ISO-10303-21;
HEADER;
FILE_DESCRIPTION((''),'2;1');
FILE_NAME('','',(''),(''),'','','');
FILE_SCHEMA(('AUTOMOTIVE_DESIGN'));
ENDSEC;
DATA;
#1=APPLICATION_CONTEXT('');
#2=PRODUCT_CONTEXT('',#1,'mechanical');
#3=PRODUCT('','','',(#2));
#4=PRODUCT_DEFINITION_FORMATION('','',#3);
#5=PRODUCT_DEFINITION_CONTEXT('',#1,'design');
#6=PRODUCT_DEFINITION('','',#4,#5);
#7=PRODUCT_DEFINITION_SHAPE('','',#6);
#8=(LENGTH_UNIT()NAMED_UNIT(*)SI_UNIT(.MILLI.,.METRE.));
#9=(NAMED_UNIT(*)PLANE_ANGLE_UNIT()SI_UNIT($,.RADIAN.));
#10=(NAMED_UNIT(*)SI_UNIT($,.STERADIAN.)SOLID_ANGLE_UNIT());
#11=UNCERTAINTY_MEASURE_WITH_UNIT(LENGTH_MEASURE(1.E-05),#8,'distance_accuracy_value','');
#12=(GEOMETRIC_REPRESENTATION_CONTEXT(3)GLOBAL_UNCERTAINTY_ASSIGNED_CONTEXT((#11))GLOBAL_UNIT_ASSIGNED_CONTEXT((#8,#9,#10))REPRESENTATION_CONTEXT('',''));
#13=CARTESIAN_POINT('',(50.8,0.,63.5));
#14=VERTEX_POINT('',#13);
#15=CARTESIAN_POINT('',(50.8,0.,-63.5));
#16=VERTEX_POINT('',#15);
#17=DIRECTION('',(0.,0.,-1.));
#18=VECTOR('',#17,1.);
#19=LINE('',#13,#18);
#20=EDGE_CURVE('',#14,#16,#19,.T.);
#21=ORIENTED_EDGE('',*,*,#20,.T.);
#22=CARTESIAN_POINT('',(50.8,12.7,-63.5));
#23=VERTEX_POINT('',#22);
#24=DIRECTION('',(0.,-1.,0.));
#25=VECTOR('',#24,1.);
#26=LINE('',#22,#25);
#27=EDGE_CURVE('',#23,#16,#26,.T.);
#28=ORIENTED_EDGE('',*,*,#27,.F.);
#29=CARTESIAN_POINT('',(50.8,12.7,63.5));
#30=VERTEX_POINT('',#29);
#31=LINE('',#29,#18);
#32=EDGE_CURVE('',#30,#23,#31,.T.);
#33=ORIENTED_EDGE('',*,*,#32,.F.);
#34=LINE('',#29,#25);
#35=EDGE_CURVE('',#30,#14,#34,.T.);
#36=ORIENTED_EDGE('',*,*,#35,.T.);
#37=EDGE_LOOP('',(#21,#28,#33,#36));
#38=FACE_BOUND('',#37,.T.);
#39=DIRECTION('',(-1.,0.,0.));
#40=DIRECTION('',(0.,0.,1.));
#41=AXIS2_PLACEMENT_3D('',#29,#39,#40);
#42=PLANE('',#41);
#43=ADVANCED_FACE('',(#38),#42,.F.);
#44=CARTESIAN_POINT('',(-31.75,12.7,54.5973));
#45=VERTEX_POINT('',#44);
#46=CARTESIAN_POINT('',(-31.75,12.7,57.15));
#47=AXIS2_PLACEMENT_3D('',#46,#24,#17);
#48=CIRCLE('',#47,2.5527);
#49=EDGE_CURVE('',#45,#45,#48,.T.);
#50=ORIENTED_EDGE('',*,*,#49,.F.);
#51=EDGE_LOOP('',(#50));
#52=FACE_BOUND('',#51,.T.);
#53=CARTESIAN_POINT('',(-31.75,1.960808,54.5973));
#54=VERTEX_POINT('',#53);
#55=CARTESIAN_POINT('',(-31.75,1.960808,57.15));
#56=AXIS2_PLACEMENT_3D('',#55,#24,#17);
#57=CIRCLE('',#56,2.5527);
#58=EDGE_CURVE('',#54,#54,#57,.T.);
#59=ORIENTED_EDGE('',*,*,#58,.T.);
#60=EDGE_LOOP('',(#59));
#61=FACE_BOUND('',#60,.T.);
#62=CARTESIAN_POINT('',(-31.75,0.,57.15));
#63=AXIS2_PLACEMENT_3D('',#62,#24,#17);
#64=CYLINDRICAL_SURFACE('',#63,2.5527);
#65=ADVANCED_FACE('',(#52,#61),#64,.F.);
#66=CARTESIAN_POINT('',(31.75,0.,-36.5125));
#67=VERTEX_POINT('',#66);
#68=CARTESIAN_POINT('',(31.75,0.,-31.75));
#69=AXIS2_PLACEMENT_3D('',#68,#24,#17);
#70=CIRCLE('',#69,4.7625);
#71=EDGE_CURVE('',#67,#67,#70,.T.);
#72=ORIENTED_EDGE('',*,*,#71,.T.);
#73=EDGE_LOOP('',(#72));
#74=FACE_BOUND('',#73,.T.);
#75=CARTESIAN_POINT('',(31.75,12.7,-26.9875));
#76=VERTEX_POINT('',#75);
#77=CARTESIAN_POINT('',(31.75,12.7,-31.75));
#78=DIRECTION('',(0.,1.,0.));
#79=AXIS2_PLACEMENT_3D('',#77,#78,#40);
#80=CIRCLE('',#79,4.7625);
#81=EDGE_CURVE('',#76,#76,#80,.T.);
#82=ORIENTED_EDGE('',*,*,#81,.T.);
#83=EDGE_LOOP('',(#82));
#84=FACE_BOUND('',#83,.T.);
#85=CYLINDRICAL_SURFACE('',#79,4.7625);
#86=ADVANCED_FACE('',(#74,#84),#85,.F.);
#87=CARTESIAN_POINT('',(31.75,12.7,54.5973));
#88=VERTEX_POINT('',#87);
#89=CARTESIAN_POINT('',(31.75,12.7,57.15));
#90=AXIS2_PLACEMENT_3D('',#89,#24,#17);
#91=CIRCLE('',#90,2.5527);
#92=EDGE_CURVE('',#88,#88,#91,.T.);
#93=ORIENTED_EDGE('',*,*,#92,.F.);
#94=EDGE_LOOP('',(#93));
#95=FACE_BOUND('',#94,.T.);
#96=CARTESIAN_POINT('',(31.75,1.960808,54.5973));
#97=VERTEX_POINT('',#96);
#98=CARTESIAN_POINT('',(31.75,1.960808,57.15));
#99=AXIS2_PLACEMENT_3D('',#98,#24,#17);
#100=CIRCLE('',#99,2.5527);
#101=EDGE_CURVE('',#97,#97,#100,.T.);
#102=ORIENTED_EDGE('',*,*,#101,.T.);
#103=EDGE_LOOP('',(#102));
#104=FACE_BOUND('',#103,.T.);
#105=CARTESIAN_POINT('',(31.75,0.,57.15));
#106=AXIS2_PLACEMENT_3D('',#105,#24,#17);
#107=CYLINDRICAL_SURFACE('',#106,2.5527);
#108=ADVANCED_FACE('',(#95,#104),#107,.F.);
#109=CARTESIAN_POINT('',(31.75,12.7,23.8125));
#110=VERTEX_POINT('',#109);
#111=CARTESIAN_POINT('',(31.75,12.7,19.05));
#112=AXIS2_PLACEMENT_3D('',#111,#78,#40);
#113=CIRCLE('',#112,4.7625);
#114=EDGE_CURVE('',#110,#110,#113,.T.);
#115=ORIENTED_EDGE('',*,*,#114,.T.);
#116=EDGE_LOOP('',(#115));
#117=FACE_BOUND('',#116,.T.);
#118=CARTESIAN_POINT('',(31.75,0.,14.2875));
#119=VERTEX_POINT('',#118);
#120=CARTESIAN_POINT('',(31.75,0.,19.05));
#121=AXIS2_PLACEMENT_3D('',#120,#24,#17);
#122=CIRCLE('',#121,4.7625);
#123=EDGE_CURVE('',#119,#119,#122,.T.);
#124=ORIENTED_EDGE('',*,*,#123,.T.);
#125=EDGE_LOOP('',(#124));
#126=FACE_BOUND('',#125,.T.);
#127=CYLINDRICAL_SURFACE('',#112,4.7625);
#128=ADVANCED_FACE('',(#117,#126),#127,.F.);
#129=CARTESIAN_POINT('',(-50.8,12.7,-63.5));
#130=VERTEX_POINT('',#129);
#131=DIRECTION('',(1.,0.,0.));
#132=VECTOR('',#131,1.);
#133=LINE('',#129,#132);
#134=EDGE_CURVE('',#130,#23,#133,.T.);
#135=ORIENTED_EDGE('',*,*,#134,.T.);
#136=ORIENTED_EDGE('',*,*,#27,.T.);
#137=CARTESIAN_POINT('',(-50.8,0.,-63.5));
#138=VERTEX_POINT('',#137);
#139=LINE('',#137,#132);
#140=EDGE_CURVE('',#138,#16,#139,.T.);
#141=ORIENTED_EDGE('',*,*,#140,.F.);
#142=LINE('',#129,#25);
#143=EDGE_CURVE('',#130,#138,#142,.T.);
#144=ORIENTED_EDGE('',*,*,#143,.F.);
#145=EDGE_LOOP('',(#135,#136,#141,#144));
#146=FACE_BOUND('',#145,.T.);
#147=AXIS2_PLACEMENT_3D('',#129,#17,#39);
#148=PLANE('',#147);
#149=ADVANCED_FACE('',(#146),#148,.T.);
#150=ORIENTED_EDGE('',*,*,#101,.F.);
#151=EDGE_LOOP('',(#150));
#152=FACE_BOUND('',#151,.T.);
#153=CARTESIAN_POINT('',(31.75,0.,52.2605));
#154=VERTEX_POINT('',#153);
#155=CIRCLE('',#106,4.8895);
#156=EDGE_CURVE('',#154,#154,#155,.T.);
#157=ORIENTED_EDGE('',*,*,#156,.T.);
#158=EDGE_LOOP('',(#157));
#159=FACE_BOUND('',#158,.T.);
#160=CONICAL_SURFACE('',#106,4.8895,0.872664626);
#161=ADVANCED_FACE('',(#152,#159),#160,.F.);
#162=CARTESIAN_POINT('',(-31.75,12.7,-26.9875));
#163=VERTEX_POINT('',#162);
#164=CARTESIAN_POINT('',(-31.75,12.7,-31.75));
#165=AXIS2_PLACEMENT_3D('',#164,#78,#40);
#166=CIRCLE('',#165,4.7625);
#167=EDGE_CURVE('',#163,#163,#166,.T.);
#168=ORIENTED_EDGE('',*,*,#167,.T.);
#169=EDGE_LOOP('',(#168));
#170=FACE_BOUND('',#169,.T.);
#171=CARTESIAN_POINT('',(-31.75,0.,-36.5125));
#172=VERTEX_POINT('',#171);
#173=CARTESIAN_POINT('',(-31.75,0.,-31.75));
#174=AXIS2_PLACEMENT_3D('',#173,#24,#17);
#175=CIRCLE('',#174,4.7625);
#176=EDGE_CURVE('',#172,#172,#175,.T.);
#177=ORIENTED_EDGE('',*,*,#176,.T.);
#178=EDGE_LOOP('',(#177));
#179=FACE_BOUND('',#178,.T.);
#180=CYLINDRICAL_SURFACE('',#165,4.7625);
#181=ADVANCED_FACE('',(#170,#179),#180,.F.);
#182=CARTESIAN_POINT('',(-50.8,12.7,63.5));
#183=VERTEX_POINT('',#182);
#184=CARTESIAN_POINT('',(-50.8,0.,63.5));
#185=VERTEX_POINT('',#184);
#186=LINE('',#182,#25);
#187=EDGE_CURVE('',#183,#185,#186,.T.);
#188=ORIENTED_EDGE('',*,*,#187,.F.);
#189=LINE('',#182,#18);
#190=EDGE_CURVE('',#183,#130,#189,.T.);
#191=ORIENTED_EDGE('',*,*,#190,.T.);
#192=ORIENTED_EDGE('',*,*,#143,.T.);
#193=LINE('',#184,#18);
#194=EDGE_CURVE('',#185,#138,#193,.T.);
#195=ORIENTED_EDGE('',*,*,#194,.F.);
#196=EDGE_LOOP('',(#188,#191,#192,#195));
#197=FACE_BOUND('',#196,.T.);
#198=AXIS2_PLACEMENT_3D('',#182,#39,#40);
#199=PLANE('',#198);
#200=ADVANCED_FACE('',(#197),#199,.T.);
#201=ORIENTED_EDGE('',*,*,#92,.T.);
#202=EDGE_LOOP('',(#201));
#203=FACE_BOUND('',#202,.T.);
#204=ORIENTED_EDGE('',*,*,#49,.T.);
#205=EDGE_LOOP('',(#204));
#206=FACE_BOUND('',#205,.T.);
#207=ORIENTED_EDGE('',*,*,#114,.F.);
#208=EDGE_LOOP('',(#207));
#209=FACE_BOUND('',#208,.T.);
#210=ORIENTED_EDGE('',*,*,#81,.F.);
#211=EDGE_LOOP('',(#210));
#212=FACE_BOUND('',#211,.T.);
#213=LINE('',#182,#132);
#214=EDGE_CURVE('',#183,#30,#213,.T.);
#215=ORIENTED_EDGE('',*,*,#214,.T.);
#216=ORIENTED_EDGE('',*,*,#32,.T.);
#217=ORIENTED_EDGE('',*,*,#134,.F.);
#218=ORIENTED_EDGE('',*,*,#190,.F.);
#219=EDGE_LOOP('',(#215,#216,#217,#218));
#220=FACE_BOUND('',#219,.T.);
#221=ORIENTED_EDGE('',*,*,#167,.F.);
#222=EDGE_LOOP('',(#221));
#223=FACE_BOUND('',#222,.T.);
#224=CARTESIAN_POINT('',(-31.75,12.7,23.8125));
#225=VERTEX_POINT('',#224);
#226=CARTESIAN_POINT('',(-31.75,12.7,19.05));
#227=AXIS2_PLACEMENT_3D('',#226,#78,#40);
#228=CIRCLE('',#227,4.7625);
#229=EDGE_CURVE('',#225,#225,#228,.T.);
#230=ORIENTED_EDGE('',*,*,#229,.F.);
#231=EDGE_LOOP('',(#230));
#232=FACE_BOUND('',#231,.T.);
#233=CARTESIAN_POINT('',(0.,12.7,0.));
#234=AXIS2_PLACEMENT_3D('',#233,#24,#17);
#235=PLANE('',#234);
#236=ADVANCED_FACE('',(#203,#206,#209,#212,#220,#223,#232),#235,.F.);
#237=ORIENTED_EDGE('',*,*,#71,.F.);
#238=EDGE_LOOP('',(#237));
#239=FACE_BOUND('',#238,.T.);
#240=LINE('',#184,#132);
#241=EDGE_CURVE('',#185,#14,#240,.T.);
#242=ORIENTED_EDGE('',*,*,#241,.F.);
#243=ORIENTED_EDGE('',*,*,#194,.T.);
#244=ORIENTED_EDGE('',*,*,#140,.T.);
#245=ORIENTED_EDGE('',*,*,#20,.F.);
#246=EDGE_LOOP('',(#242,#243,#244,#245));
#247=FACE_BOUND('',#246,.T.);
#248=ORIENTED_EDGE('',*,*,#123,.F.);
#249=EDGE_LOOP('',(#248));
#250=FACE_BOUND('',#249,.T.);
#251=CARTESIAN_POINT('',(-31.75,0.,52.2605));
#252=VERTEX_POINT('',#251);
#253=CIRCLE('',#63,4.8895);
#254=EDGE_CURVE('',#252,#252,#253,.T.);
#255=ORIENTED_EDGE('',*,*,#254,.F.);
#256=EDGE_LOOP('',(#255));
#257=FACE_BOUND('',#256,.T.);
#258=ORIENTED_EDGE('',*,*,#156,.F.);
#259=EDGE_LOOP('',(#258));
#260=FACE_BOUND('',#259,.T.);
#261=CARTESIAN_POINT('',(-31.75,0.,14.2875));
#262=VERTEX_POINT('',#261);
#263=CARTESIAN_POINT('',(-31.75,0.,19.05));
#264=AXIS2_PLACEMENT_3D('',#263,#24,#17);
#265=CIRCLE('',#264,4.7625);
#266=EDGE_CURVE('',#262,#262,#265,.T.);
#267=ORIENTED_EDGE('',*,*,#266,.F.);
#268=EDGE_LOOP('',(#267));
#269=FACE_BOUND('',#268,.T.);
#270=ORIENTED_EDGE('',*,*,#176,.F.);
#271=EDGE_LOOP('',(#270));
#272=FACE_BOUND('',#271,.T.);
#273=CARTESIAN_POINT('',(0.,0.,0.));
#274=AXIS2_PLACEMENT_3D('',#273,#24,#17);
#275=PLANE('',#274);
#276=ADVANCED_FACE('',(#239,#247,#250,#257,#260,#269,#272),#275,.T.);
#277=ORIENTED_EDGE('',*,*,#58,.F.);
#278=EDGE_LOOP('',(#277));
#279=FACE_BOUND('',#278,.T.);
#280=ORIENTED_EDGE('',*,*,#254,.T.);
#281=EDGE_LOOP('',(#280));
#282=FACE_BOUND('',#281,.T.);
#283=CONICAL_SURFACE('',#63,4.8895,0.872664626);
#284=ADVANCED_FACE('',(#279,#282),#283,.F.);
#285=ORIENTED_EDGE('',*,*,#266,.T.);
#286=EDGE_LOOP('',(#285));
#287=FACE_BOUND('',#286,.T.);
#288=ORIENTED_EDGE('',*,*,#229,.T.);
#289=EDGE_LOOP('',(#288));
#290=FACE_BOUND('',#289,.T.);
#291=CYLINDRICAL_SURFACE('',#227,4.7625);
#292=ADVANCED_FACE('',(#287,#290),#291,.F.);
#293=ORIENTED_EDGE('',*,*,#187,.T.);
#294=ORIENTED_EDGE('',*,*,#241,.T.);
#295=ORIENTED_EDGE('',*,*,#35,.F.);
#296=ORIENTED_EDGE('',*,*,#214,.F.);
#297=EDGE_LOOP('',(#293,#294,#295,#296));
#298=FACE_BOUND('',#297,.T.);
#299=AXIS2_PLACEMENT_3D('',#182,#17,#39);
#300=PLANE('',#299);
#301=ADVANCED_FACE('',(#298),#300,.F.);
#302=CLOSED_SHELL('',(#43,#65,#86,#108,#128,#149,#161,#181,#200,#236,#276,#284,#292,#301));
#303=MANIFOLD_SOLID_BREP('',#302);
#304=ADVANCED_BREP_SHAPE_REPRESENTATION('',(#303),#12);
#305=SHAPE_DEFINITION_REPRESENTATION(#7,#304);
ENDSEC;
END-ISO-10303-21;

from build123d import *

# Parameters (mm, degrees)
SKETCH1_W                                          = 101.6
SKETCH1_H                                          = 127
BOSS_EXTRUDE1_DEPTH                                = 12.7
CSK_FOR_10_FLAT_HEAD_MACHINE_SCREW_100_D           = 5.1054
CSK_FOR_10_FLAT_HEAD_MACHINE_SCREW_100_DEPTH       = 12.7
CSK_FOR_10_FLAT_HEAD_MACHINE_SCREW_100_CSINK_D     = 9.779
CSK_FOR_10_FLAT_HEAD_MACHINE_SCREW_100_CSINK_ANGLE = 100
CSK_FOR_10_FLAT_HEAD_MACHINE_SCREW_100_TIP         = 1.533816902
F_3_8_0_375_DIAMETER_HOLE1_D                       = 9.525
F_3_8_0_375_DIAMETER_HOLE1_DEPTH                   = 25.4
F_3_8_0_375_DIAMETER_HOLE1_TIP                     = 2.861598698


with BuildPart() as part:
    # Sketch1 → Boss-Extrude1 (new body)
    with BuildSketch(Plane(origin=(0, 0, 0), x_dir=(1, 0, 0), z_dir=(0, 1, 0))):
        Rectangle(SKETCH1_W, SKETCH1_H)
    extrude(amount=BOSS_EXTRUDE1_DEPTH)

    # CSK for #10 Flat Head Machine Screw (100)1
    with Locations(Plane(origin=(0, 0, 0), x_dir=(-1, 0, 0), z_dir=(0, -1, 0))):
        with Locations((31.75, -57.15), (-31.75, -57.15)):
            CounterSinkHole(CSK_FOR_10_FLAT_HEAD_MACHINE_SCREW_100_D / 2, CSK_FOR_10_FLAT_HEAD_MACHINE_SCREW_100_CSINK_D / 2, depth=CSK_FOR_10_FLAT_HEAD_MACHINE_SCREW_100_DEPTH, counter_sink_angle=CSK_FOR_10_FLAT_HEAD_MACHINE_SCREW_100_CSINK_ANGLE)
            with Locations((0, 0, -(CSK_FOR_10_FLAT_HEAD_MACHINE_SCREW_100_DEPTH + CSK_FOR_10_FLAT_HEAD_MACHINE_SCREW_100_TIP / 2))):  # 118° drill point
                Cone(0, CSK_FOR_10_FLAT_HEAD_MACHINE_SCREW_100_D / 2, CSK_FOR_10_FLAT_HEAD_MACHINE_SCREW_100_TIP, mode=Mode.SUBTRACT)

    # 3/8 (0.375) Diameter Hole1
    with Locations(Plane(origin=(0, 12.7, 0), x_dir=(1, 0, 0), z_dir=(0, 1, 0))):
        with Locations((-31.75, 31.75), (31.75, 31.75), (-31.75, -19.05), (31.75, -19.05)):
            Hole(F_3_8_0_375_DIAMETER_HOLE1_D / 2, depth=F_3_8_0_375_DIAMETER_HOLE1_DEPTH)
            with Locations((0, 0, -(F_3_8_0_375_DIAMETER_HOLE1_DEPTH + F_3_8_0_375_DIAMETER_HOLE1_TIP / 2))):  # 118° drill point
                Cone(0, F_3_8_0_375_DIAMETER_HOLE1_D / 2, F_3_8_0_375_DIAMETER_HOLE1_TIP, mode=Mode.SUBTRACT)


solid = part.part
